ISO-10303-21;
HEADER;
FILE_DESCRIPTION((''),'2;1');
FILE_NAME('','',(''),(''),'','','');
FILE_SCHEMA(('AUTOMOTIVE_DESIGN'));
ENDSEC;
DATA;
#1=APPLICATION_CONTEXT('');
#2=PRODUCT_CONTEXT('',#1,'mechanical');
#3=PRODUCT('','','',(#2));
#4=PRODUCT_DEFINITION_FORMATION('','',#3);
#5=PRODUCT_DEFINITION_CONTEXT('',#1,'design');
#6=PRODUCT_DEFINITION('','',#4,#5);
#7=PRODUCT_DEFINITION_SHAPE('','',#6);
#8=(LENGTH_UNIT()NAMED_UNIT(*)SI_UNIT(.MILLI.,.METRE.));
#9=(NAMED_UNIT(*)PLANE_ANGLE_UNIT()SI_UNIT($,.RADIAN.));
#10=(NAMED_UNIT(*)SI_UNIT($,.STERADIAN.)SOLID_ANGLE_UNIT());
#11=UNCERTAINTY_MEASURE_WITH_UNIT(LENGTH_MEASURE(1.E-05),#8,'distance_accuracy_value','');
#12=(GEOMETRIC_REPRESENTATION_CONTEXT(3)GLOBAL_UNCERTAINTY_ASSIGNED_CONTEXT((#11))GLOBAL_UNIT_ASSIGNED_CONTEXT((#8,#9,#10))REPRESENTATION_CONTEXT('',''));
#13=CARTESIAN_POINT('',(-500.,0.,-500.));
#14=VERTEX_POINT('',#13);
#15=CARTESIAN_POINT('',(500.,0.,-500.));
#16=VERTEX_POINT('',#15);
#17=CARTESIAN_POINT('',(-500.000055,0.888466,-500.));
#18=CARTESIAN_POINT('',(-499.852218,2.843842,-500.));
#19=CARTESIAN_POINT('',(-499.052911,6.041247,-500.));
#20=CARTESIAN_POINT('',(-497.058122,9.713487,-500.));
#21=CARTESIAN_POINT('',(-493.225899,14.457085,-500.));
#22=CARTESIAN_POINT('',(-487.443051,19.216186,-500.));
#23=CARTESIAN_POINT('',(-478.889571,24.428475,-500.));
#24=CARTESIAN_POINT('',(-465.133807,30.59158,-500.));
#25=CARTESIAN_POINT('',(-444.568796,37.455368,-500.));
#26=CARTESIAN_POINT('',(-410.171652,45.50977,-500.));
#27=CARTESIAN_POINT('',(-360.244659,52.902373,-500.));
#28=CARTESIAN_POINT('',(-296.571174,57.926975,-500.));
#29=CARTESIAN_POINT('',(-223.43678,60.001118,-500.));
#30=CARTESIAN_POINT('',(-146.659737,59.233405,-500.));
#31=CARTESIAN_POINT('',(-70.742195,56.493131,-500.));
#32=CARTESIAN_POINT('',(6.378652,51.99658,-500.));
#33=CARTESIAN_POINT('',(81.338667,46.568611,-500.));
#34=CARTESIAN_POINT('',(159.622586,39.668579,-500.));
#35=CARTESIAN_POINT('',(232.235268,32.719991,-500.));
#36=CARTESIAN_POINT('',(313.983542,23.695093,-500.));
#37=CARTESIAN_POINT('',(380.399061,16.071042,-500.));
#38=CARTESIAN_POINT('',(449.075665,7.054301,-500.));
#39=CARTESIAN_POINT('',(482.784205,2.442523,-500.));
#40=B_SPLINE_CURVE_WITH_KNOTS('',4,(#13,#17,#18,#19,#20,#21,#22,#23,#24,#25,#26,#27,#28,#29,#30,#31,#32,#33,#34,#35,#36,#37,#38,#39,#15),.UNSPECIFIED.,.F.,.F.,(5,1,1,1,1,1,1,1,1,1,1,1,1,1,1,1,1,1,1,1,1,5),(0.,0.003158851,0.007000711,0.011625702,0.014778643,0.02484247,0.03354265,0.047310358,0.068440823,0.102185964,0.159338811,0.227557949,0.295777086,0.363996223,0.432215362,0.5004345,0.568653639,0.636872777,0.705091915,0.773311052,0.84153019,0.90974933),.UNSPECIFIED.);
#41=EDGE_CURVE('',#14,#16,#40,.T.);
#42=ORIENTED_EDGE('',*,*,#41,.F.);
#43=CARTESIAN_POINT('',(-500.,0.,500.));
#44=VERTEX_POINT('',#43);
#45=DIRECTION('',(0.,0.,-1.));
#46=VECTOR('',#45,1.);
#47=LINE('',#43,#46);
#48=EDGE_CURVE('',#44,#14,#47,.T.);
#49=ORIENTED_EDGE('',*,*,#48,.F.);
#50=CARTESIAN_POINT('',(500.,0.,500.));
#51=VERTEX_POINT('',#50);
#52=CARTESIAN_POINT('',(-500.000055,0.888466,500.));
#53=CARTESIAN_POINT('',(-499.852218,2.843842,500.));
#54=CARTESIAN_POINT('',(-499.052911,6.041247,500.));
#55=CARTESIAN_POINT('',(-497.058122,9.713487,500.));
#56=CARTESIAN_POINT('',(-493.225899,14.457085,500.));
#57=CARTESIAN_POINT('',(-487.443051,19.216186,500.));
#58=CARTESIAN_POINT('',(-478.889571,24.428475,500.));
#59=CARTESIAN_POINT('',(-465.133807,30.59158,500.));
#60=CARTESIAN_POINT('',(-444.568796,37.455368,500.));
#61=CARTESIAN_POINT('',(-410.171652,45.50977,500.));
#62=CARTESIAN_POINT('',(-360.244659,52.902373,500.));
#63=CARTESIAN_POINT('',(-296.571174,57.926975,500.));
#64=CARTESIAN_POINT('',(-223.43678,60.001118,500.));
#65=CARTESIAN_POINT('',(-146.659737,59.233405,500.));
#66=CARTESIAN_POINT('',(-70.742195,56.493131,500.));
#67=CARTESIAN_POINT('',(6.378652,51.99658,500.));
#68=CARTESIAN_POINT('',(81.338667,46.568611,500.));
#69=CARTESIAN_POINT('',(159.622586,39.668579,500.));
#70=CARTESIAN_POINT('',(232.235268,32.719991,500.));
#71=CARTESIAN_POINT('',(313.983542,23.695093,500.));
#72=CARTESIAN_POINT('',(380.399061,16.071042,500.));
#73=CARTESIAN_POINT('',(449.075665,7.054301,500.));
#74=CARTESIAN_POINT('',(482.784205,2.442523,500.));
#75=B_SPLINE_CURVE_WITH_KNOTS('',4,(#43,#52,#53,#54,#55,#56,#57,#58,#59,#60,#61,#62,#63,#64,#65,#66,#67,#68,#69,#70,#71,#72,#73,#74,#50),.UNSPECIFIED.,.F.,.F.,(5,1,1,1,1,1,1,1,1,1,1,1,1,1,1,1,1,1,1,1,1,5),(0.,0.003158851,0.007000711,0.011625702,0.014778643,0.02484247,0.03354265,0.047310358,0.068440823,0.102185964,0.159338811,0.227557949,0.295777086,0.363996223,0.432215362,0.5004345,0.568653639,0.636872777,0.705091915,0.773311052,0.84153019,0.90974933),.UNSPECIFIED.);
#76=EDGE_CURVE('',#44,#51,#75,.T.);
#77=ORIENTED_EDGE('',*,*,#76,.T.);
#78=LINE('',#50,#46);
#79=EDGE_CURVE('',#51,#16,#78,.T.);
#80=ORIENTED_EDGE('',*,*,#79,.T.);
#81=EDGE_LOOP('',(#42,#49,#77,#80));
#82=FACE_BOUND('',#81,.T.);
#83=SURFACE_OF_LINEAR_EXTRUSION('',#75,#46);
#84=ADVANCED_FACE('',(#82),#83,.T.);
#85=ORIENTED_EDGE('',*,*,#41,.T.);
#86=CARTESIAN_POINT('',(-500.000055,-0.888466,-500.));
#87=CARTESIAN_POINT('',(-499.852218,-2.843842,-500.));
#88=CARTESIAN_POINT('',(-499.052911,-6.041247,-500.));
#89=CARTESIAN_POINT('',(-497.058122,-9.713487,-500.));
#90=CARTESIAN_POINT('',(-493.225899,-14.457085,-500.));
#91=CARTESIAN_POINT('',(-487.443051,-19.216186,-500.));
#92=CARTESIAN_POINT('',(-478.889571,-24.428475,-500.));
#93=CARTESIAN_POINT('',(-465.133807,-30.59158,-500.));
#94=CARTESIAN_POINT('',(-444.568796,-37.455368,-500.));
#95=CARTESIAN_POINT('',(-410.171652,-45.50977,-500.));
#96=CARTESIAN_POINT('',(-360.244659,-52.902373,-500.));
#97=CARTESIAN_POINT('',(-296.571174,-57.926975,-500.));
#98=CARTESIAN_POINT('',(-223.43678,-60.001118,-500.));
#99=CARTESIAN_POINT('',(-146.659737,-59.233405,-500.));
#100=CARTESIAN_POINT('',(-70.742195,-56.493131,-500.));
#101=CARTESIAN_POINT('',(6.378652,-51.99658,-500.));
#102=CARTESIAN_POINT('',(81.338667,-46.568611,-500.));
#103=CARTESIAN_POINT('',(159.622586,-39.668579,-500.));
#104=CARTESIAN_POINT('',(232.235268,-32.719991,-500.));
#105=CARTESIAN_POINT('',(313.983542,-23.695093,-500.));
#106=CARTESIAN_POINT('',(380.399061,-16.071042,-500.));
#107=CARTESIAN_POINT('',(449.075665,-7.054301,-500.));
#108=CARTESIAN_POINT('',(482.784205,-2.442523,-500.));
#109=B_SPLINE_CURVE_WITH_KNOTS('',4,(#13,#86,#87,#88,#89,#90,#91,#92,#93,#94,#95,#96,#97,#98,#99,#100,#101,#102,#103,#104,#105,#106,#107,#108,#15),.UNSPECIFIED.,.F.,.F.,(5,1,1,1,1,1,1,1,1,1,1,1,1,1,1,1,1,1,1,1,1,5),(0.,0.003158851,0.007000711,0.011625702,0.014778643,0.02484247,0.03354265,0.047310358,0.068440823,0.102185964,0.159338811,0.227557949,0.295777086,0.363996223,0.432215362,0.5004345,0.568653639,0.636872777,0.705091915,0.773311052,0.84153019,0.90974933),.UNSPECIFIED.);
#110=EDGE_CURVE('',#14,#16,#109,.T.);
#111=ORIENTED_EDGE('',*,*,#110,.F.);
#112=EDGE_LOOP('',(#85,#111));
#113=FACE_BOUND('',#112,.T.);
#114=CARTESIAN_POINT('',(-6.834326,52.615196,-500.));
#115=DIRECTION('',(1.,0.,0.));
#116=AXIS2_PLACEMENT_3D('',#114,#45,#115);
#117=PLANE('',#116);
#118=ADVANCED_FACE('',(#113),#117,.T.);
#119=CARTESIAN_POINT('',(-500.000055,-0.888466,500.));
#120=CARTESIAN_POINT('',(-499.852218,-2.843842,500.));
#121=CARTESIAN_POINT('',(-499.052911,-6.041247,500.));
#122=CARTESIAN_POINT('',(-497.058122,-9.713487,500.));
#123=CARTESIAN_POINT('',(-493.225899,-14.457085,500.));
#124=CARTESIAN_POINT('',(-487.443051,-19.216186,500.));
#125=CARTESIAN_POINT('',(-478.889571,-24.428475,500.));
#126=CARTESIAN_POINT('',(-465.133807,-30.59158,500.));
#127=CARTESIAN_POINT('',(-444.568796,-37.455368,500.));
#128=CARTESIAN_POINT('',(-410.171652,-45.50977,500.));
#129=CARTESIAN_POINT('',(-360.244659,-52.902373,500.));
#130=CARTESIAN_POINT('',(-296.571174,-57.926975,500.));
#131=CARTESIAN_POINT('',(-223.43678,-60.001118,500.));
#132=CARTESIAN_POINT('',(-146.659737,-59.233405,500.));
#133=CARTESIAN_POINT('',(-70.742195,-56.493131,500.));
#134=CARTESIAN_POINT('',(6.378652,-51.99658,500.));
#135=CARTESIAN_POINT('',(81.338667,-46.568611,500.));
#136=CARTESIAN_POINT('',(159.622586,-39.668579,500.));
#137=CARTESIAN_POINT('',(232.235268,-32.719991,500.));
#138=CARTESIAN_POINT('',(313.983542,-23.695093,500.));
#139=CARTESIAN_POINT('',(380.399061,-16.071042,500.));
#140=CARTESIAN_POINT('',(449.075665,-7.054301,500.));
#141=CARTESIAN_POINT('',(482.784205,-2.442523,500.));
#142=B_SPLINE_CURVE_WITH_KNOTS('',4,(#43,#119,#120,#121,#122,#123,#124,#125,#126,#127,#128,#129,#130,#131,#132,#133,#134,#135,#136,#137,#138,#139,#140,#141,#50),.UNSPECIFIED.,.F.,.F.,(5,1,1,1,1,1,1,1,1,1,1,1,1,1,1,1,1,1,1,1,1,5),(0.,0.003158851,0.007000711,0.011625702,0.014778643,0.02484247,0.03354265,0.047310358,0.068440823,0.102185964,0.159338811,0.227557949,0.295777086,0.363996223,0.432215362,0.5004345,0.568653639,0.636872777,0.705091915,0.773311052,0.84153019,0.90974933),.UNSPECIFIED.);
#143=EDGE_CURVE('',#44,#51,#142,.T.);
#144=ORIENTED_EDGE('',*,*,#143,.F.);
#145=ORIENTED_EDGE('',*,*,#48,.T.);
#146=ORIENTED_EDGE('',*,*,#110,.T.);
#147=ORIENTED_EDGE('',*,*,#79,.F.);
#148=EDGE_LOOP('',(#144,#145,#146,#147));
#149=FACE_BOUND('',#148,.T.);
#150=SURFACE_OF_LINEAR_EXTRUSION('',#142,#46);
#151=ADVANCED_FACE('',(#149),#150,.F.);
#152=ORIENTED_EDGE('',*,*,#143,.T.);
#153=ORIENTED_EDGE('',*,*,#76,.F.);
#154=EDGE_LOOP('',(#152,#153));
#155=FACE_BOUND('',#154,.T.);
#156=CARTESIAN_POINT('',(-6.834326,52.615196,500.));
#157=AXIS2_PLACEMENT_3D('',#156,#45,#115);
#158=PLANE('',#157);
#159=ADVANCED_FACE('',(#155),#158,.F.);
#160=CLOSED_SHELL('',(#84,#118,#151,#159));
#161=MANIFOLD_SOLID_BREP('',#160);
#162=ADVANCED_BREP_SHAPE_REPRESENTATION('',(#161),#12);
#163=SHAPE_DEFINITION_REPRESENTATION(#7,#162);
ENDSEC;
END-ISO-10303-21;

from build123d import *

# Parameters (mm, degrees)
BOSS_EXTRUDE1_DEPTH = 0.5
SCALE1_SCALE        = 1000


with BuildPart() as part:
    # Sketch1 → Boss-Extrude1 (new, symmetric)
    with BuildSketch(Plane(origin=(0, 0, 0), x_dir=(-1, 0, 0), z_dir=(0, 0, -1))):
        with BuildLine():
            add(Edge.make_bspline(
                [(0, 0), (-5.5e-08, 0.000888466), (0.000147782, 0.002843842), (0.000947089, 0.006041247), (0.002941878, 0.009713487), (0.006774101, 0.014457085), (0.012556949, 0.019216186), (0.021110429, 0.024428475), (0.034866193, 0.03059158), (0.055431204, 0.037455368), (0.089828348, 0.04550977), (0.139755341, 0.052902373), (0.203428826, 0.057926975), (0.27656322, 0.060001118), (0.353340263, 0.059233405), (0.429257805, 0.056493131), (0.506378652, 0.05199658), (0.581338667, 0.046568611), (0.659622586, 0.039668579), (0.732235268, 0.032719991), (0.813983542, 0.023695093), (0.880399061, 0.016071042), (0.949075665, 0.007054301), (0.982784205, 0.002442523), (1, 0)],
                knots=[0, 0, 0, 0, 0, 0.003158851, 0.007000711, 0.011625702, 0.014778643, 0.02484247, 0.03354265, 0.047310358, 0.068440823, 0.102185964, 0.159338811, 0.227557949, 0.295777086, 0.363996223, 0.432215362, 0.5004345, 0.568653639, 0.636872777, 0.705091915, 0.773311052, 0.84153019, 0.90974933, 0.90974933, 0.90974933, 0.90974933, 0.90974933], degree=4))
            add(Edge.make_bspline(
                [(0, 0), (-5.5e-08, -0.000888466), (0.000147782, -0.002843842), (0.000947089, -0.006041247), (0.002941878, -0.009713487), (0.006774101, -0.014457085), (0.012556949, -0.019216186), (0.021110429, -0.024428475), (0.034866193, -0.03059158), (0.055431204, -0.037455368), (0.089828348, -0.04550977), (0.139755341, -0.052902373), (0.203428826, -0.057926975), (0.27656322, -0.060001118), (0.353340263, -0.059233405), (0.429257805, -0.056493131), (0.506378652, -0.05199658), (0.581338667, -0.046568611), (0.659622586, -0.039668579), (0.732235268, -0.032719991), (0.813983542, -0.023695093), (0.880399061, -0.016071042), (0.949075665, -0.007054301), (0.982784205, -0.002442523), (1, 0)],
                knots=[0, 0, 0, 0, 0, 0.003158851, 0.007000711, 0.011625702, 0.014778643, 0.02484247, 0.03354265, 0.047310358, 0.068440823, 0.102185964, 0.159338811, 0.227557949, 0.295777086, 0.363996223, 0.432215362, 0.5004345, 0.568653639, 0.636872777, 0.705091915, 0.773311052, 0.84153019, 0.90974933, 0.90974933, 0.90974933, 0.90974933, 0.90974933], degree=4))
        make_face()
    extrude(amount=BOSS_EXTRUDE1_DEPTH, both=True)


with BuildPart() as part_1:
    # Scale1: scaled about (0, 0, 0)
    add(part.part.scale(SCALE1_SCALE))


with BuildPart() as body_2:
    # Mirror2: mirrored copy
    add(part_1.part.mirror(Plane(origin=(0, 0, 0), x_dir=(0, 0, 1), z_dir=(1, 0, 0))))


with BuildPart() as body_2_1:
    # Body-Move/Copy1: moved
    add(body_2.part.moved(Location((-500, 0, 0))))


solid = body_2_1.part
